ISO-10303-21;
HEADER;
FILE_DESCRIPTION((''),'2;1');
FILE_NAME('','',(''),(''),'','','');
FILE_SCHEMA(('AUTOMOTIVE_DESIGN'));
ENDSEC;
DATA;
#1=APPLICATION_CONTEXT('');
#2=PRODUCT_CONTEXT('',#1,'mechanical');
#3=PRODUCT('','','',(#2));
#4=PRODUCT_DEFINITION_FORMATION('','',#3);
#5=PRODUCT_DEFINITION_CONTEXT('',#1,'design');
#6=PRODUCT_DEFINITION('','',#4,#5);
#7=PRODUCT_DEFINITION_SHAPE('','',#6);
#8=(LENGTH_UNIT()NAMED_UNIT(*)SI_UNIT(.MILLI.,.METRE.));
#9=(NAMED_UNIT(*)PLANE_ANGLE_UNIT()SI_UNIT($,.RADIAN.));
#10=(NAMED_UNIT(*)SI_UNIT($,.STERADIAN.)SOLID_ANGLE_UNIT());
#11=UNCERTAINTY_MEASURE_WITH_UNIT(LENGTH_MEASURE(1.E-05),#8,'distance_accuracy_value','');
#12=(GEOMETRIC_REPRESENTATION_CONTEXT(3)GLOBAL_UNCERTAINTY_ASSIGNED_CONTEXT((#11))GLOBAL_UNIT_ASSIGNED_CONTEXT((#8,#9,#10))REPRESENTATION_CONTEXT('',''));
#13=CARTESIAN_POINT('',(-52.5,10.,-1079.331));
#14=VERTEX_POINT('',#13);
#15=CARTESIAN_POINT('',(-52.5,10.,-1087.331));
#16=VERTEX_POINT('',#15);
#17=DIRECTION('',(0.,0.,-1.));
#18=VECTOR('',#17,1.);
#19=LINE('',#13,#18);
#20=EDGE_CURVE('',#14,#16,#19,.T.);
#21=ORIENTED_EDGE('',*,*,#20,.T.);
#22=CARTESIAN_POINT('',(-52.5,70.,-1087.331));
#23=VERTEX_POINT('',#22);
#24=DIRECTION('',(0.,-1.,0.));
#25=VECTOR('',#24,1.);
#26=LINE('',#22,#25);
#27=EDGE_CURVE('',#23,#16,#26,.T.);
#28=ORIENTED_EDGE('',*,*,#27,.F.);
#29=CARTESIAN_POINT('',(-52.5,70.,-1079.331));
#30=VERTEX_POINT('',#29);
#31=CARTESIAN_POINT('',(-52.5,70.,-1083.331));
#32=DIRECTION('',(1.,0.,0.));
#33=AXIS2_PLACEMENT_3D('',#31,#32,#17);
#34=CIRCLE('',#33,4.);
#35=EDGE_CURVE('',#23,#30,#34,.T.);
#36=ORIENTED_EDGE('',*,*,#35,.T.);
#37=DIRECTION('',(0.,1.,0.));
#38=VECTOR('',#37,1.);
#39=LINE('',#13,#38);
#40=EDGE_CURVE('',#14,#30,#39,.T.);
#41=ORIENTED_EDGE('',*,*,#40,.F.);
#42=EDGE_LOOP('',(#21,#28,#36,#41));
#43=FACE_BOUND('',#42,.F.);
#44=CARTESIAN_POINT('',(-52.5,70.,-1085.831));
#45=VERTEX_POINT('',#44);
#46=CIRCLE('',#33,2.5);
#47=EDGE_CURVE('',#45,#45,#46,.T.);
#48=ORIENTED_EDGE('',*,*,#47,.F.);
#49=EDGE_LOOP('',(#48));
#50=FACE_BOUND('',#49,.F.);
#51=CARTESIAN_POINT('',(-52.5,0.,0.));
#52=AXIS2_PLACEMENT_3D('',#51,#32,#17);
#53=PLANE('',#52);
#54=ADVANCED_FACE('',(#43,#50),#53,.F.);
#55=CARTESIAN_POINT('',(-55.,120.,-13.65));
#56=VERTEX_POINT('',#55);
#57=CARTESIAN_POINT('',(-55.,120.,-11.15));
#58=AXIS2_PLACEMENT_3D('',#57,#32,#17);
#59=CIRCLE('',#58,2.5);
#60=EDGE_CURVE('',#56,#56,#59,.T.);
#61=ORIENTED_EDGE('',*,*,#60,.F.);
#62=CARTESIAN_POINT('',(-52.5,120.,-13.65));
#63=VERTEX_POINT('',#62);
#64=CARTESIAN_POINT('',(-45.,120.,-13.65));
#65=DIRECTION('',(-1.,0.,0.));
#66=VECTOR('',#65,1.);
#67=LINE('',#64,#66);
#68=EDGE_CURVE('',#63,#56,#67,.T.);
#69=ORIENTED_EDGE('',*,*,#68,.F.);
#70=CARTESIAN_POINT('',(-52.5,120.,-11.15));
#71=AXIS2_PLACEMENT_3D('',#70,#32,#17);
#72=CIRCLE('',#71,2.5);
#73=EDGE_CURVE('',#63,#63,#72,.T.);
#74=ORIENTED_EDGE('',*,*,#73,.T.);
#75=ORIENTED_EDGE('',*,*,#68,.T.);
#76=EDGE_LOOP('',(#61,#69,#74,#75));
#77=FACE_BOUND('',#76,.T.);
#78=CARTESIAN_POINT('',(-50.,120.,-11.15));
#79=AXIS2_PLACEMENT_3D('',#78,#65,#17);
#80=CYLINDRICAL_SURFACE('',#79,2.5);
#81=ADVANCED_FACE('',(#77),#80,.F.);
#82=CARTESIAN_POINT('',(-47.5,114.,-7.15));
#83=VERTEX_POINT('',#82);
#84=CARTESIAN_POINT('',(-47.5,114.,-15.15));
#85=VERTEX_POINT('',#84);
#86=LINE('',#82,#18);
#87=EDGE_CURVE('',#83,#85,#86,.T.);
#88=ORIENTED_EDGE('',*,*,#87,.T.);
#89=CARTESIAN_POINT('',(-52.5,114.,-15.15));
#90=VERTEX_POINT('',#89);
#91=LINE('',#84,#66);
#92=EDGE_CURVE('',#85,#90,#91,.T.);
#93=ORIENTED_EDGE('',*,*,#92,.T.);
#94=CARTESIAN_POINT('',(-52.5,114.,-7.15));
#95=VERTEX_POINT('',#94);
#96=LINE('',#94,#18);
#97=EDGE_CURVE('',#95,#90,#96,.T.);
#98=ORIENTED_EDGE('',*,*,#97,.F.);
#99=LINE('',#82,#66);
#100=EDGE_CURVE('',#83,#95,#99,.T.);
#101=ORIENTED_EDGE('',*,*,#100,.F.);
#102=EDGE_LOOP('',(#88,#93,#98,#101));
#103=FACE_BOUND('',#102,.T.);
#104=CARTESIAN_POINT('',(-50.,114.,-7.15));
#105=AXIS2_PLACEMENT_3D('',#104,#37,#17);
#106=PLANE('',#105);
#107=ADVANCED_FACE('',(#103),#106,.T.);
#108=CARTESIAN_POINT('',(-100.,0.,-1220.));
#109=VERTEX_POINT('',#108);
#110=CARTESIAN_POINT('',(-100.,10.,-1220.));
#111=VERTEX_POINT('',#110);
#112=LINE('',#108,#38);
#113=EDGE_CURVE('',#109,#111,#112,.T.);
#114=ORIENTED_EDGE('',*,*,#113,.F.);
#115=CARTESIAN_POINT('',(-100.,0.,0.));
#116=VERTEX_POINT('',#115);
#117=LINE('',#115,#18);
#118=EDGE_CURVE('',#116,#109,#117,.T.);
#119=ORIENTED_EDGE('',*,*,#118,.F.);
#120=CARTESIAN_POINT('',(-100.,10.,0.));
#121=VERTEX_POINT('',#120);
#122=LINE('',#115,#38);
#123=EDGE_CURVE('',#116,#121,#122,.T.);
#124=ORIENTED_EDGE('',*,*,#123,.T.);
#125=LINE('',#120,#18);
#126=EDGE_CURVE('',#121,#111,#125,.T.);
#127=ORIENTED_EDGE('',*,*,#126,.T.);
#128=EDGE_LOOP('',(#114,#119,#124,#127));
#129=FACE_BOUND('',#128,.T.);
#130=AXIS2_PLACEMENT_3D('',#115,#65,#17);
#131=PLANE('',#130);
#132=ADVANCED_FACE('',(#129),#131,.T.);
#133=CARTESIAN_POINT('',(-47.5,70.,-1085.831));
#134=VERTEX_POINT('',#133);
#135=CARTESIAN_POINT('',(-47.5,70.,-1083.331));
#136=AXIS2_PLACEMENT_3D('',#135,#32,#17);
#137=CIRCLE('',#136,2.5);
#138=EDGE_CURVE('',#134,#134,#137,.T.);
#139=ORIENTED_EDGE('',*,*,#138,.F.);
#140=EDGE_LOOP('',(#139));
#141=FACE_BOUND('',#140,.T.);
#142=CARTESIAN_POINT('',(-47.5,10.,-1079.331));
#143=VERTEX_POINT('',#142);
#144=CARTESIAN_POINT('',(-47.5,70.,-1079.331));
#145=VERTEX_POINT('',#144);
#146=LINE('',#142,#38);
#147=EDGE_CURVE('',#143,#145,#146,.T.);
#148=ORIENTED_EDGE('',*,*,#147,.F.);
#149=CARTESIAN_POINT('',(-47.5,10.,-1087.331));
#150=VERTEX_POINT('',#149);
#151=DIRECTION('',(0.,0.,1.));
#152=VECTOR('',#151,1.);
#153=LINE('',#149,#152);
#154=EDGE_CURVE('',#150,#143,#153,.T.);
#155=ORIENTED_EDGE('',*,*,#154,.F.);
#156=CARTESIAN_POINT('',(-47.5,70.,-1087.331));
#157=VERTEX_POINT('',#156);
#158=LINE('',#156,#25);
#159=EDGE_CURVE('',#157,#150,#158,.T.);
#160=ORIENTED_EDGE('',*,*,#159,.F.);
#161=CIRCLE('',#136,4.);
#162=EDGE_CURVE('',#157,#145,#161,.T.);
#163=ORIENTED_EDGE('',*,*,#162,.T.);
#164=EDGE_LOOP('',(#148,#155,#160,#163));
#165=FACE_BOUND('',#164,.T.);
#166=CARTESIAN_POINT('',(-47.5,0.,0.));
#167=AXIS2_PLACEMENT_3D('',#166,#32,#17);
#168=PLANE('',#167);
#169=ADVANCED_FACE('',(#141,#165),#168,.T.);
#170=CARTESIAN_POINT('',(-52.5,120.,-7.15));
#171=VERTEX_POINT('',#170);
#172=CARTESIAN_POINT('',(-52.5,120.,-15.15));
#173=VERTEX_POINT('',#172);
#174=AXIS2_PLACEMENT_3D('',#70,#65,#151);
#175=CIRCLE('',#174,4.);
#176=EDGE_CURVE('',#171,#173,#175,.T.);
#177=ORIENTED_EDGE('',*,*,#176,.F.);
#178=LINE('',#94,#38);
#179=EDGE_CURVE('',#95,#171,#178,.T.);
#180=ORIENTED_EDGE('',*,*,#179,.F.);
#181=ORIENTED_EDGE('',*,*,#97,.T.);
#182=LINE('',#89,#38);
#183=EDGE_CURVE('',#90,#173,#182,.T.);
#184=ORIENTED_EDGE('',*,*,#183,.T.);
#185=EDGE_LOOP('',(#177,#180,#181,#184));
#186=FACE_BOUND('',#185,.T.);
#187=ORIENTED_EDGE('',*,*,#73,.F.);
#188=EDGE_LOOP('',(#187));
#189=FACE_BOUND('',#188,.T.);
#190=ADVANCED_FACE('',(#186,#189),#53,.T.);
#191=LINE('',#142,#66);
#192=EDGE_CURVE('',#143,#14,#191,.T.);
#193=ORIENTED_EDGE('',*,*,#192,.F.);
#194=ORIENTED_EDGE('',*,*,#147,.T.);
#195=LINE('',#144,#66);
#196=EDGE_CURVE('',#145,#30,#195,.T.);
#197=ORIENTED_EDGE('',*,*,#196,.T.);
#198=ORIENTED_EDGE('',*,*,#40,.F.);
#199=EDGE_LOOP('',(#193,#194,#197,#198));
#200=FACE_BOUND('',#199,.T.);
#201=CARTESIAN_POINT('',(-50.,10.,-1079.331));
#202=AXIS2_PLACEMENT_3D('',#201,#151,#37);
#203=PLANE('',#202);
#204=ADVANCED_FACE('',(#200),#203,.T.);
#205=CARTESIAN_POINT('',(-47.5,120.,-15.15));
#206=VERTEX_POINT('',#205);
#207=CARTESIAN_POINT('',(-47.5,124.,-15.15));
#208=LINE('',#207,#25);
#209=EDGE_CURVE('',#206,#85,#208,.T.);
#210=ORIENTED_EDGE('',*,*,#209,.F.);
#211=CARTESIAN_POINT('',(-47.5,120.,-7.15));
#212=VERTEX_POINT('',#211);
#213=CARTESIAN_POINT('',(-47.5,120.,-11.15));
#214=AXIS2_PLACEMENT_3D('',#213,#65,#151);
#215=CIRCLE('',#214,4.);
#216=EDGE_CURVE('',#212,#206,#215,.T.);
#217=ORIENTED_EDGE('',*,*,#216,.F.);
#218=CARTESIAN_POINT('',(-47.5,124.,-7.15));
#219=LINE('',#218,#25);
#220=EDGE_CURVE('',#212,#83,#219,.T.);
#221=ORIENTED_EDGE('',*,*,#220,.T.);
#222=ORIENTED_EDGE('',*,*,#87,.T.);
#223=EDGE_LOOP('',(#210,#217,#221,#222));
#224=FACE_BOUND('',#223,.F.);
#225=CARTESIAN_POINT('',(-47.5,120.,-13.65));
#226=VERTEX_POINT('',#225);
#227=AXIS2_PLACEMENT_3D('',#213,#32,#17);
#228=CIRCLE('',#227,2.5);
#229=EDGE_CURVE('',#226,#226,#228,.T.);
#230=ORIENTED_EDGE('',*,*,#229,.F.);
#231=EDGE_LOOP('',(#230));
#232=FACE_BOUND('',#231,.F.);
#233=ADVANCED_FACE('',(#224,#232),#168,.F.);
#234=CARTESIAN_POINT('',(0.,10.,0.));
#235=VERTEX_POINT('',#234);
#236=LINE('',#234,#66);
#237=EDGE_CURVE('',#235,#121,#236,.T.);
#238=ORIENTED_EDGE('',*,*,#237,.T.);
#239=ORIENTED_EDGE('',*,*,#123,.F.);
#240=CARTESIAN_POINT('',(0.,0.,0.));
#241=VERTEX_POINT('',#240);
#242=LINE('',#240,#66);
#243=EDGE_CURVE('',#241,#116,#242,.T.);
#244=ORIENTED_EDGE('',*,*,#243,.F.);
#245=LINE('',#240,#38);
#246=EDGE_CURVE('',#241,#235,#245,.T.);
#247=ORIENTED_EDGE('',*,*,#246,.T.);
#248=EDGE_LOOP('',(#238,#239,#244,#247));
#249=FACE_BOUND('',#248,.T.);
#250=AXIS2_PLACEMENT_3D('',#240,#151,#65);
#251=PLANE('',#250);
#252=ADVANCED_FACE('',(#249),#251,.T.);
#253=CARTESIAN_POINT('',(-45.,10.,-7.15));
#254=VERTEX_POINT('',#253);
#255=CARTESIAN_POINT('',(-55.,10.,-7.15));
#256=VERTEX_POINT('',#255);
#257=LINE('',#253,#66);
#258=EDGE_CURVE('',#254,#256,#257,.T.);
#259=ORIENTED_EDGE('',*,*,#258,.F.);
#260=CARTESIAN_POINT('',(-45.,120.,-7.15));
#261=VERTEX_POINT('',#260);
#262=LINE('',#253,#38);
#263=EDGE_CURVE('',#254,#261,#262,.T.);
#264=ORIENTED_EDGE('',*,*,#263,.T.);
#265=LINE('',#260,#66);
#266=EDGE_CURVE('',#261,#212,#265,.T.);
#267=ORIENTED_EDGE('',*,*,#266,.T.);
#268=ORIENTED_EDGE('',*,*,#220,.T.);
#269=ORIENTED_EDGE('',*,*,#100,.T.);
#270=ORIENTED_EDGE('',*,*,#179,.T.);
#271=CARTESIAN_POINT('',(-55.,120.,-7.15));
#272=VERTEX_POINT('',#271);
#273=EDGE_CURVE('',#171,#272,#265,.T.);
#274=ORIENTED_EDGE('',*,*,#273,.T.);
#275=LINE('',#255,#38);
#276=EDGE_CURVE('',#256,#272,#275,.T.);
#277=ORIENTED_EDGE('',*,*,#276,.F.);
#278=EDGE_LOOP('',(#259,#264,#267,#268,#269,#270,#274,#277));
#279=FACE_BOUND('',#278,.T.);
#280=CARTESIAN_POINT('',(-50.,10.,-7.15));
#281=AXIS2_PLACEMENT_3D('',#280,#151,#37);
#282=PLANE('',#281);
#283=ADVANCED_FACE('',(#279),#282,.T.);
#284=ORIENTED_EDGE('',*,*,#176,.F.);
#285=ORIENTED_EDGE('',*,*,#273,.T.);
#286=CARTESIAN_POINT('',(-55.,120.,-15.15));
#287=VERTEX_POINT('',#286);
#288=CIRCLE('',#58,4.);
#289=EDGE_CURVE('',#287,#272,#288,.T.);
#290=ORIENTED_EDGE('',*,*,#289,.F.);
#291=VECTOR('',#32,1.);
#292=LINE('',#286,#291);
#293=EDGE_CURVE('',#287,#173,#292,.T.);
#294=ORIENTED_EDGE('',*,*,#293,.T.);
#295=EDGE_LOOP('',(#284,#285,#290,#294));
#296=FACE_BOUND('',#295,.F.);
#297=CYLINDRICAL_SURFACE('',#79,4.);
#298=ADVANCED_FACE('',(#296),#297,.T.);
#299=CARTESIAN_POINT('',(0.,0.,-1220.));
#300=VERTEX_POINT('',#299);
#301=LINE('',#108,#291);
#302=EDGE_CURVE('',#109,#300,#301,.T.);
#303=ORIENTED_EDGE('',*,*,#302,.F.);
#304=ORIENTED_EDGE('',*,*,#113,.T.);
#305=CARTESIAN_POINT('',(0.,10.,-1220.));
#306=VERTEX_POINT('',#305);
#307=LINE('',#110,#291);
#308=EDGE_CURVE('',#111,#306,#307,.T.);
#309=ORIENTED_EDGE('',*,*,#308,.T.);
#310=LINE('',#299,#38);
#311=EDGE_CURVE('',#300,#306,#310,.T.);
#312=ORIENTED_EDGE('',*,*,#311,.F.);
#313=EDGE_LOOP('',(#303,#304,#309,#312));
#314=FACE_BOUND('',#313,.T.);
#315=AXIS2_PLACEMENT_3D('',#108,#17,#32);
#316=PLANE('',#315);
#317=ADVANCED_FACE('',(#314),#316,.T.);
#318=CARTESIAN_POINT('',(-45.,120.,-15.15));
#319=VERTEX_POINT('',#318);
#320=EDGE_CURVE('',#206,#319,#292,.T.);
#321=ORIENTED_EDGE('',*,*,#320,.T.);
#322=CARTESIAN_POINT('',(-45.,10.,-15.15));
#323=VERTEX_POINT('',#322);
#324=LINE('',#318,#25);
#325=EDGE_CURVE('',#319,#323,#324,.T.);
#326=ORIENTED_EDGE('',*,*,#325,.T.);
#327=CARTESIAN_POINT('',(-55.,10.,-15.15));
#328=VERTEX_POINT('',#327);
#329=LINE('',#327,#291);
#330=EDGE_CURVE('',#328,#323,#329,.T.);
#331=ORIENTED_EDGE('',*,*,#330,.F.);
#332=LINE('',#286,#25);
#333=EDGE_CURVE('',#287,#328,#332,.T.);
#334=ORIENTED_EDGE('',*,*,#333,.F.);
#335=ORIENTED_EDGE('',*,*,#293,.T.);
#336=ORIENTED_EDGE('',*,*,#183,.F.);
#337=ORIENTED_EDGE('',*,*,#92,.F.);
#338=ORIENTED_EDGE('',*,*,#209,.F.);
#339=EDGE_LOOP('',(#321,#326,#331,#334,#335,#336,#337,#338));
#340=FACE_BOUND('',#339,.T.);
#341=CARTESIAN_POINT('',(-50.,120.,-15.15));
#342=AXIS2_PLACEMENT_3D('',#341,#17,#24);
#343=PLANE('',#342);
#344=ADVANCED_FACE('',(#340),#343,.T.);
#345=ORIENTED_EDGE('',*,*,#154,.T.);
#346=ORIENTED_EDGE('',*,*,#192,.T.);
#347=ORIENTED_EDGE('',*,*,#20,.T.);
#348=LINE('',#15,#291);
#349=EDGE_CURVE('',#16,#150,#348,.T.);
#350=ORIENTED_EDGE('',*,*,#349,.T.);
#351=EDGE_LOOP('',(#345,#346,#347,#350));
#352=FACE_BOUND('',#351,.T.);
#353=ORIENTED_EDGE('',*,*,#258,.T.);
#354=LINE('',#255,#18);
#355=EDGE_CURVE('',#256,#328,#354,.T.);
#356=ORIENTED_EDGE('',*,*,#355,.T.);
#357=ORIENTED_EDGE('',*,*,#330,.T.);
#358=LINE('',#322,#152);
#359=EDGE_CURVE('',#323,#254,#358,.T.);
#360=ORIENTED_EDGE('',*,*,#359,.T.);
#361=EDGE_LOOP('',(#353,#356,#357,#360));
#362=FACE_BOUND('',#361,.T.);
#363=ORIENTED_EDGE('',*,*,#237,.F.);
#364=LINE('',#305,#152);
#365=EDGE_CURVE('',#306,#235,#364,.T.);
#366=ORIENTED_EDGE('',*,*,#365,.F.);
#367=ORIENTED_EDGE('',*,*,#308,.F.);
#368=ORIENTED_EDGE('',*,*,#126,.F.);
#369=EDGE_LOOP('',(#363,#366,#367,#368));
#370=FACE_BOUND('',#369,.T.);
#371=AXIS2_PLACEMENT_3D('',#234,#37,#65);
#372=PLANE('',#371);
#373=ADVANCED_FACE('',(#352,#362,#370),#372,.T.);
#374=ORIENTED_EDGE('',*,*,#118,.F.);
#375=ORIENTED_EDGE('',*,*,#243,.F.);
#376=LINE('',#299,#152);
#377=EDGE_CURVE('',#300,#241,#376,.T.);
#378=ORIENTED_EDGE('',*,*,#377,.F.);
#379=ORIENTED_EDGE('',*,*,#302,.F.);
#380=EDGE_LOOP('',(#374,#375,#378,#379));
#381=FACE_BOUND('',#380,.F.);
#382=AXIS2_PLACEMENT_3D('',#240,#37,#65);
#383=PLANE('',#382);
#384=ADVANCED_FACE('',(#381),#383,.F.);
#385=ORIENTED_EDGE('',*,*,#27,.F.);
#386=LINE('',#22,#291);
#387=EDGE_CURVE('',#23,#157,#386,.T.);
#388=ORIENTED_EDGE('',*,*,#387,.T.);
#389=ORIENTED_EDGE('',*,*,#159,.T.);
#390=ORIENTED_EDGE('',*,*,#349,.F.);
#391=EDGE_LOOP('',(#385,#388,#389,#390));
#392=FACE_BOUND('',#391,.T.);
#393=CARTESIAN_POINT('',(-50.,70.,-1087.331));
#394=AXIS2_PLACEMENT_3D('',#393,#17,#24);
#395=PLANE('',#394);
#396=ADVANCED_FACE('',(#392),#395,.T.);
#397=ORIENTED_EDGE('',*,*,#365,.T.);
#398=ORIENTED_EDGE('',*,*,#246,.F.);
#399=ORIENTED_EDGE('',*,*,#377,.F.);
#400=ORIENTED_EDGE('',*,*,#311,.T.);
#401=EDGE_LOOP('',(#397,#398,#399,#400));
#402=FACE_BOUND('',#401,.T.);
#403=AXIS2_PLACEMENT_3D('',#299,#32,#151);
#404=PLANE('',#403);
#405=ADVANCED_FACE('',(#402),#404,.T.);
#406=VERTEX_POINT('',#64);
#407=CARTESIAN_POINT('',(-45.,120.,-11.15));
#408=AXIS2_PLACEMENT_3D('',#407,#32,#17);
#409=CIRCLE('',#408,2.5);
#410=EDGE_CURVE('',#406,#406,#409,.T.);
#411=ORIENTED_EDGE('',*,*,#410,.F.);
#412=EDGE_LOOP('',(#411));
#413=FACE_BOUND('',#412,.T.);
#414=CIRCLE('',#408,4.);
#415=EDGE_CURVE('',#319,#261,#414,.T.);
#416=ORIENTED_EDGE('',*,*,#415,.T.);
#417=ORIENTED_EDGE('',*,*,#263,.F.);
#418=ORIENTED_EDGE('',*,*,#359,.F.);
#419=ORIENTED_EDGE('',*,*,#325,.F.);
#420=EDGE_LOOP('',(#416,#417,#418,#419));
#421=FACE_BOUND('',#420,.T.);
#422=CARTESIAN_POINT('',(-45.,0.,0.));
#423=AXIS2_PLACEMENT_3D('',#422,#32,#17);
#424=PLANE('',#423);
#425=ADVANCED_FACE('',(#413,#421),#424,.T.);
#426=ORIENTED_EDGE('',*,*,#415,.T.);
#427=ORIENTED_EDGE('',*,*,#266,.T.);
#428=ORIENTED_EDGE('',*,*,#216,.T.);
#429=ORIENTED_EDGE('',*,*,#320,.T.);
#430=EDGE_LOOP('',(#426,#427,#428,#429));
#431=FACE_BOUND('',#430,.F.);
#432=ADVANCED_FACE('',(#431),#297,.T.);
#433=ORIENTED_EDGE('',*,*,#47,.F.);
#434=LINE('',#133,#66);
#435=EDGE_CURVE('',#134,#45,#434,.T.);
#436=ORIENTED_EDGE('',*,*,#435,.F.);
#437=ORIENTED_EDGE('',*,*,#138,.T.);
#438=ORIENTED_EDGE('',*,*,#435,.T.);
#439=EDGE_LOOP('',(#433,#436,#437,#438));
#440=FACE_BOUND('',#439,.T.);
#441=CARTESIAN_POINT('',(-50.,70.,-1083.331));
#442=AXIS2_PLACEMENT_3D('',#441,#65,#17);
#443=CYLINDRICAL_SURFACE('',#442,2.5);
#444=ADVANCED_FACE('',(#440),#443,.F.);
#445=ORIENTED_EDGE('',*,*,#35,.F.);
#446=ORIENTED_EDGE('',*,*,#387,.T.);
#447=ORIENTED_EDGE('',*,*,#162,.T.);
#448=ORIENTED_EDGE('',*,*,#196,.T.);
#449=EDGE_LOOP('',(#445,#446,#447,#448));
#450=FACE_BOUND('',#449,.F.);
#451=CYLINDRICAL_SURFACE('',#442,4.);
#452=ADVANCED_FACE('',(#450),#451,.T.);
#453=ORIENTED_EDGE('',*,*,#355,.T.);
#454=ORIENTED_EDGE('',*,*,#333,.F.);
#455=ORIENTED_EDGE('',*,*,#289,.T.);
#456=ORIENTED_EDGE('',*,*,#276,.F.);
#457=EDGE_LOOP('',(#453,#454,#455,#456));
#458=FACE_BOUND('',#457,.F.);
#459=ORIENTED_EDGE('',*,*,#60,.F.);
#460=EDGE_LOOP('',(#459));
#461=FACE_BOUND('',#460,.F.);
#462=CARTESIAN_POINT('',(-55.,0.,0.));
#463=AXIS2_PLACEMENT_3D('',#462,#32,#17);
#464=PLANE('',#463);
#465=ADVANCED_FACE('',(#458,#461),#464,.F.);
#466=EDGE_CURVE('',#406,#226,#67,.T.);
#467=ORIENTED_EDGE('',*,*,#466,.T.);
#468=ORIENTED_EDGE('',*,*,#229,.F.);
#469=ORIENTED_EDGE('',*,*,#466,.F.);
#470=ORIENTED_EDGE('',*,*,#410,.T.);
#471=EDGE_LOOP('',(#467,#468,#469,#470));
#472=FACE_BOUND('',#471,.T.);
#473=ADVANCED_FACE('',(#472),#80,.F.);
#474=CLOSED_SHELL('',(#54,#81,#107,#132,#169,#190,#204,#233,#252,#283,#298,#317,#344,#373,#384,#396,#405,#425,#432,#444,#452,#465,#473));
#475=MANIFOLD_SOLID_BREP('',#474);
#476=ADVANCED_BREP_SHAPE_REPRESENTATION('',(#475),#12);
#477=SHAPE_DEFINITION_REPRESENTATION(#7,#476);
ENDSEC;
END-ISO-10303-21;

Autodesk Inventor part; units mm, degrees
ref_plane "YZ Plane" through (0, 0, 0) normal (1, 0, 0) x (0, 1, 0)
ref_plane "XZ Plane" through (0, 0, 0) normal (0, 1, 0) x (-1, 0, 0)
ref_plane "XY Plane" through (0, 0, 0) normal (0, 0, 1) x (1, 0, 0)
sketch "Sketch1" plane through (0, 0, 0) normal (0, 1, 0) x (-1, 0, 0)
  line L0 (0, 0) -> (100, 0)
  line L1 (100, 0) -> (100, -1220)
  line L2 (100, -1220) -> (0, -1220)
  line L3 (0, -1220) -> (0, 0)
  dimension "d0" = 100
  dimension "d1" = 1220
extrude "Extrusion1" add sketch "Sketch1" along normal blind 10
ref_plane "Work Plane1" through (-50, 0, 0) normal (1, 0, 0) x (0, 0, -1)
sketch "Sketch2" plane through (-50, 0, 0) normal (1, 0, 0) x (0, 0, -1)
  line L0 (1220, 0) -> (0, 0) projected
  line L1 (1220, 0) -> (1220, 10) projected
  line L2 (0, 10) -> (1220, 10) projected
  line L3 (0, 0) -> (0, 10) projected
  line L4 (1220, 10) -> (1083.331, 10)
  line L5 (0, 10) -> (1220, 10) projected
  line L6 (1083.331, 10) -> (1183.331, 10) construction
  circle A0 centre (1083.331, 70) radius 2.5
  arc A1 (1087.331, 70) -> (1079.331, 70) centre (1083.331, 70) ccw
  line L7 (1087.331, 70) -> (1087.331, 10)
  line L8 (1087.331, 10) -> (1079.331, 10)
  line L9 (1079.331, 10) -> (1079.331, 70)
  dimension "d5" = 136.669
  dimension "d8" = 5
  dimension "d9" = 8
  dimension "d11" = 8
  dimension "d12" = 4
  dimension "d14" = 60
extrude "Extrusion2" add sketch "Sketch2" along normal mid plane 5 contours L2 L9 A1 L7
sketch "Sketch3" plane through (-50, 0, 0) normal (1, 0, 0) x (0, 0, -1)
  line L0 (1220, 0) -> (0, 0) projected
  line L1 (1220, 0) -> (1220, 10) projected
  line L2 (0, 10) -> (1220, 10) projected
  line L3 (0, 0) -> (0, 10) projected
  line L4 (1220, 10) -> (0, 10) projected
  line L5 (0, 10) -> (11.15, 10)
  circle A0 centre (11.15, 120) radius 2.5
  arc A1 (15.15, 120) -> (7.15, 120) centre (11.15, 120) ccw
  line L6 (15.15, 120) -> (15.15, 10)
  line L7 (15.15, 10) -> (7.15, 10)
  line L8 (7.15, 10) -> (7.15, 120)
  dimension "d18" = 11.15
  dimension "d21" = 5
  dimension "d22" = 8
  dimension "d24" = 8
  dimension "d31" = 110
extrude "Extrusion3" add sketch "Sketch3" along normal mid plane 10 contours L2 L8 A1 L6
sketch "Sketch4" plane through (-50, 0, 0) normal (1, 0, 0) x (0, 0, -1)
  arc A0 (15.15, 120) -> (7.15, 120) centre (11.15, 120) ccw projected
  circle A1 centre (11.15, 120) radius 2.5 projected
  line L0 (7.15, 120) -> (7.15, 10) projected
  line L1 (15.15, 124) -> (7.15, 124)
  line L2 (7.15, 124) -> (7.15, 114)
  line L3 (7.15, 114) -> (15.15, 114)
  line L4 (15.15, 114) -> (15.15, 124)
  point P0 (0, 0)
  dimension "d27" = 10
  dimension "d30" = 4
extrude "Extrusion4" cut sketch "Sketch4" along normal mid plane 5
equation "\"d12\" = 0.5 * d11"
properties part number "Base"
